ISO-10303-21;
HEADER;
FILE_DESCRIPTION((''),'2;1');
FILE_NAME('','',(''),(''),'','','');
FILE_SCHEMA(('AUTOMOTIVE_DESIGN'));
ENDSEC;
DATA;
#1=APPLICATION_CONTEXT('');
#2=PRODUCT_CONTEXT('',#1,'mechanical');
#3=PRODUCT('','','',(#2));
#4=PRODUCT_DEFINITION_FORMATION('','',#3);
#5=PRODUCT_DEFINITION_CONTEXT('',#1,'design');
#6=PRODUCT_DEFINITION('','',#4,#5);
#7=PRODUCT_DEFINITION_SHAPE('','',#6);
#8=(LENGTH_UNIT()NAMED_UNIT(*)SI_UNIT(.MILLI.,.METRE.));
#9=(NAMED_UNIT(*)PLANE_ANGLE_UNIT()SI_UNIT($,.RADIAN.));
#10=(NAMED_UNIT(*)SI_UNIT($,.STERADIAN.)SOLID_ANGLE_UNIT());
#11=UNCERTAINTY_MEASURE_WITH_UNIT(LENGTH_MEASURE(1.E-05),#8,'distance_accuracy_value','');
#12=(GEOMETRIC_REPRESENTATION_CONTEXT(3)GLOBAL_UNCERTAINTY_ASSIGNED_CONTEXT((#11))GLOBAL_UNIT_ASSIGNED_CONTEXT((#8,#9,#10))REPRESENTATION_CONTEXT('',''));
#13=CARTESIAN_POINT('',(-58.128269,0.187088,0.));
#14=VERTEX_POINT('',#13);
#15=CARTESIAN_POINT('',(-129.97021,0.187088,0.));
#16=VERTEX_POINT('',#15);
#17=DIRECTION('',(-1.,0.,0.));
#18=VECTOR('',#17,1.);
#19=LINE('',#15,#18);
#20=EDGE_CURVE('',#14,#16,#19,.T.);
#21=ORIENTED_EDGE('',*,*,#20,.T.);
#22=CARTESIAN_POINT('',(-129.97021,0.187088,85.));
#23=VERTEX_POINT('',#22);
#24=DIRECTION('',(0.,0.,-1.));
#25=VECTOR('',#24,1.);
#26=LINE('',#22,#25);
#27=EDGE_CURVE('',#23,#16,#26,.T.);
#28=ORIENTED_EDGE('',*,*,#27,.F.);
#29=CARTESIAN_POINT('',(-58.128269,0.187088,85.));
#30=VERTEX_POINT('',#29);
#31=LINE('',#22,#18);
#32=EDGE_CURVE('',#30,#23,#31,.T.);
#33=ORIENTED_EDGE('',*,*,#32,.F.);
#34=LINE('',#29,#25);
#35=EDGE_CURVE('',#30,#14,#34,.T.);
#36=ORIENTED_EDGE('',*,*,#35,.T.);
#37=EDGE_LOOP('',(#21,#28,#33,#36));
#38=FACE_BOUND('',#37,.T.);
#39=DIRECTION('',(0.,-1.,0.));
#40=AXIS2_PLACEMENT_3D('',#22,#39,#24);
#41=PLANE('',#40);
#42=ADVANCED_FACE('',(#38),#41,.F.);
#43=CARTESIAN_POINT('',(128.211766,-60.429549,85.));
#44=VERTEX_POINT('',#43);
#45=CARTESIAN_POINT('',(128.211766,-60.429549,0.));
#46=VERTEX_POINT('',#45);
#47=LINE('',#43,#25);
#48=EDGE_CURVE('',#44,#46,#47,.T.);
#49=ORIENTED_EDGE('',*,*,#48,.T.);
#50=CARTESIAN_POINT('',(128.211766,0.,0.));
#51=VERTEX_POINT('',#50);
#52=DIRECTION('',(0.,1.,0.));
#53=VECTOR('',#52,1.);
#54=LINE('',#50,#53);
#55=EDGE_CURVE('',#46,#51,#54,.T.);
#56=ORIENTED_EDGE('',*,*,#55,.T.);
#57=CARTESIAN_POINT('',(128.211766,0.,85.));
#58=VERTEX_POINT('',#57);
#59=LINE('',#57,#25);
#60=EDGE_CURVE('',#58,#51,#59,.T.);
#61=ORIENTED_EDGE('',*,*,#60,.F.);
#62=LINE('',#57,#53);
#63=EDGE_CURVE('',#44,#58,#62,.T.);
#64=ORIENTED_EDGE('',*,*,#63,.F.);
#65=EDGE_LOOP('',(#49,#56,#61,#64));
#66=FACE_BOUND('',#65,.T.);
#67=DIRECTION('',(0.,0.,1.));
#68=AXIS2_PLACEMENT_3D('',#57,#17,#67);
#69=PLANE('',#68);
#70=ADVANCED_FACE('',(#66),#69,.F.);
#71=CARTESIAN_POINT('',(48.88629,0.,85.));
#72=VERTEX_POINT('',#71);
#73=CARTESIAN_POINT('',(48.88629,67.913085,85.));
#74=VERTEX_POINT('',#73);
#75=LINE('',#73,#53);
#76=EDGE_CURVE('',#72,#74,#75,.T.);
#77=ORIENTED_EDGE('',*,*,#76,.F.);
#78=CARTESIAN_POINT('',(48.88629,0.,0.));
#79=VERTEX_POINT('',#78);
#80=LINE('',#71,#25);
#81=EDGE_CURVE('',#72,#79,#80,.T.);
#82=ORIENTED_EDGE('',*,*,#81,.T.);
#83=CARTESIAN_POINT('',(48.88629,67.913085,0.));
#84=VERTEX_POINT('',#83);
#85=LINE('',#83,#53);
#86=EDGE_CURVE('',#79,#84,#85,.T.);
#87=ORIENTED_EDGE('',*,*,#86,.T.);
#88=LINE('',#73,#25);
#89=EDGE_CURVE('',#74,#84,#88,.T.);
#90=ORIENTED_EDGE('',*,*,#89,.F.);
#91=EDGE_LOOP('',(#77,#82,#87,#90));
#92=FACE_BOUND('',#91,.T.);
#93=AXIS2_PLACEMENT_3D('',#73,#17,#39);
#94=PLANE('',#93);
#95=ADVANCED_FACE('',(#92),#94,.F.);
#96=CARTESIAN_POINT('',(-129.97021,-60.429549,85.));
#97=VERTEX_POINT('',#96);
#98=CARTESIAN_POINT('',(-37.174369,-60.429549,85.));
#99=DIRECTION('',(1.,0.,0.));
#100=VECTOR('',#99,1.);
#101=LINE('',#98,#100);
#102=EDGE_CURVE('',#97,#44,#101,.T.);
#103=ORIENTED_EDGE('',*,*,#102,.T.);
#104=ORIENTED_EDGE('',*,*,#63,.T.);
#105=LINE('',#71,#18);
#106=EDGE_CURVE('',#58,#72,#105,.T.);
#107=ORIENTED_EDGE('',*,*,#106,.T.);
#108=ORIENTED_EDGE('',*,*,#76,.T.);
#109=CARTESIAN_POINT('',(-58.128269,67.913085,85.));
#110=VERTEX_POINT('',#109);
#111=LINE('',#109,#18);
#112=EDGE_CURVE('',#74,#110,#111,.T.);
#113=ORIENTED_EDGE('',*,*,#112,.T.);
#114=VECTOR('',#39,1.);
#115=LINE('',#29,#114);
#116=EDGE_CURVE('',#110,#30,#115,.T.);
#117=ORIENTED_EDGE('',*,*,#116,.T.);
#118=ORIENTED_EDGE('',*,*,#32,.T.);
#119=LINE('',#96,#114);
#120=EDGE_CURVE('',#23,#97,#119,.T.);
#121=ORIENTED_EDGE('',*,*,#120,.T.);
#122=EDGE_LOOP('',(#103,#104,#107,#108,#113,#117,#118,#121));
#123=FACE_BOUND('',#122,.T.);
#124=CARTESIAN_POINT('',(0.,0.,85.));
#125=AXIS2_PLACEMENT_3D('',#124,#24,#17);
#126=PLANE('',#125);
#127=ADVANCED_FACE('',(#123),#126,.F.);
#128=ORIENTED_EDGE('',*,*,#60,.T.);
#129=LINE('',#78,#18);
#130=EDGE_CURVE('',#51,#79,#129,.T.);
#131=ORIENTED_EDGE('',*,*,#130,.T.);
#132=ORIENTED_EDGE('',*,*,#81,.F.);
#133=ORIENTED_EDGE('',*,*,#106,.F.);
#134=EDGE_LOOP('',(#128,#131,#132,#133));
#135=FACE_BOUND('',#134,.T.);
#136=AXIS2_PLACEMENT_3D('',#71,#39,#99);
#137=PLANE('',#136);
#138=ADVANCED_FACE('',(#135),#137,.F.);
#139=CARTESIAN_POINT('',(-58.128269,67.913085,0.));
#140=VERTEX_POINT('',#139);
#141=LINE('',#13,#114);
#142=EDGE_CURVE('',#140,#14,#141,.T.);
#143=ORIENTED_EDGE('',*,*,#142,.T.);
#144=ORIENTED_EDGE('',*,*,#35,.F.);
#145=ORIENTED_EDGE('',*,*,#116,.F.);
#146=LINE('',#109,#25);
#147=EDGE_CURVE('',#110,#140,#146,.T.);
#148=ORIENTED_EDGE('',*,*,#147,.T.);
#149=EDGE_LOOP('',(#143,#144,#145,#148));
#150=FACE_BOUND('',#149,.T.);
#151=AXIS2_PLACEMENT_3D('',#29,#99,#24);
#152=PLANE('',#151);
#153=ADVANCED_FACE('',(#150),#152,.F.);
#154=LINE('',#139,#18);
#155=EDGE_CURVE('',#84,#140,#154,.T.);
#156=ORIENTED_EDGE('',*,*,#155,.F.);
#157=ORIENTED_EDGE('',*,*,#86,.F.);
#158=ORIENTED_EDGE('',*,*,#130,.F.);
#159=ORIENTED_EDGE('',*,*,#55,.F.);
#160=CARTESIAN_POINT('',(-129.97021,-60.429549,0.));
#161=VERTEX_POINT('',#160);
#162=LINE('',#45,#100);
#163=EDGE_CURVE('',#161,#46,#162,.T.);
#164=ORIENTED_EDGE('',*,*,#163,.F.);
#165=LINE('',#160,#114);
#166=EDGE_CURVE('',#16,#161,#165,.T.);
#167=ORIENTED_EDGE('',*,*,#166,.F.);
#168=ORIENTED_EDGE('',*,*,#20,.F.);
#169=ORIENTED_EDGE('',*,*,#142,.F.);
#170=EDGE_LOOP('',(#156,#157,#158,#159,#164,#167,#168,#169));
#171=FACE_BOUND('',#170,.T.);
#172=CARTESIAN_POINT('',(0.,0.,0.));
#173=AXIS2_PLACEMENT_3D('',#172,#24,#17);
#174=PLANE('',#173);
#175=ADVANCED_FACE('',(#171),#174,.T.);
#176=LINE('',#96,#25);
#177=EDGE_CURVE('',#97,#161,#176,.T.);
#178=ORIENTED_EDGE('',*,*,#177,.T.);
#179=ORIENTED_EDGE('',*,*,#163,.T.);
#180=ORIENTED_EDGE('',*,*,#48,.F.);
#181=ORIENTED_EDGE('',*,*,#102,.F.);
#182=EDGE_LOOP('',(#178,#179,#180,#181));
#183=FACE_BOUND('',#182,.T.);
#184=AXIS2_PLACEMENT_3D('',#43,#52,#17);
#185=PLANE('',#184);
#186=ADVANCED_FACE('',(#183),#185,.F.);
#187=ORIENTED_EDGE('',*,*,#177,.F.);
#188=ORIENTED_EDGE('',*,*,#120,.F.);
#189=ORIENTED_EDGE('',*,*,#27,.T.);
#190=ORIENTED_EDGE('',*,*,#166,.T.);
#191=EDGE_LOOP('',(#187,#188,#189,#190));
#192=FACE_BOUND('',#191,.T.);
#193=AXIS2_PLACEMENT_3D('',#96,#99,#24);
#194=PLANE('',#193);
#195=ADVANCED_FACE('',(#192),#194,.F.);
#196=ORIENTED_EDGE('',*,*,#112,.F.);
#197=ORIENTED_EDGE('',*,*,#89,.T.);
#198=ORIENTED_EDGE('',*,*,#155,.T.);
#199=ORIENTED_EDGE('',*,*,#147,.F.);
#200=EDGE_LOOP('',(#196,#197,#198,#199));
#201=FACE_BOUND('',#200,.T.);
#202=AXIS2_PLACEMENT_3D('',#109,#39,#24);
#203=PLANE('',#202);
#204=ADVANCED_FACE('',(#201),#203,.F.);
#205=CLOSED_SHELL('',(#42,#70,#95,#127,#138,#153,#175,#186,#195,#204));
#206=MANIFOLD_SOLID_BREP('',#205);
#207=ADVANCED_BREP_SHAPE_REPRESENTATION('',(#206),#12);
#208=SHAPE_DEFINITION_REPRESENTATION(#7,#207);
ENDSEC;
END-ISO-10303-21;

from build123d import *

# Parameters (mm, degrees)
Y_KSEKLIK_EKSTR_ZYON1_DEPTH = 85


with BuildPart() as part:
    # Çizim1 → Yükseklik-Ekstrüzyon1 (new body)
    with BuildSketch(Plane.XY):
        Polygon((-58.128268518, 67.913084922), (48.886289541, 67.913084922), (48.886289541, 0), (128.211766144, 0), (128.211766144, -60.429549393), (32.796688154, -60.429549393), (-37.174369038, -60.429549393), (-129.970209593, -60.429549393), (-129.970209593, 0.187088388), (-58.128268518, 0.187088388), align=None)
    extrude(amount=Y_KSEKLIK_EKSTR_ZYON1_DEPTH)


solid = part.part
